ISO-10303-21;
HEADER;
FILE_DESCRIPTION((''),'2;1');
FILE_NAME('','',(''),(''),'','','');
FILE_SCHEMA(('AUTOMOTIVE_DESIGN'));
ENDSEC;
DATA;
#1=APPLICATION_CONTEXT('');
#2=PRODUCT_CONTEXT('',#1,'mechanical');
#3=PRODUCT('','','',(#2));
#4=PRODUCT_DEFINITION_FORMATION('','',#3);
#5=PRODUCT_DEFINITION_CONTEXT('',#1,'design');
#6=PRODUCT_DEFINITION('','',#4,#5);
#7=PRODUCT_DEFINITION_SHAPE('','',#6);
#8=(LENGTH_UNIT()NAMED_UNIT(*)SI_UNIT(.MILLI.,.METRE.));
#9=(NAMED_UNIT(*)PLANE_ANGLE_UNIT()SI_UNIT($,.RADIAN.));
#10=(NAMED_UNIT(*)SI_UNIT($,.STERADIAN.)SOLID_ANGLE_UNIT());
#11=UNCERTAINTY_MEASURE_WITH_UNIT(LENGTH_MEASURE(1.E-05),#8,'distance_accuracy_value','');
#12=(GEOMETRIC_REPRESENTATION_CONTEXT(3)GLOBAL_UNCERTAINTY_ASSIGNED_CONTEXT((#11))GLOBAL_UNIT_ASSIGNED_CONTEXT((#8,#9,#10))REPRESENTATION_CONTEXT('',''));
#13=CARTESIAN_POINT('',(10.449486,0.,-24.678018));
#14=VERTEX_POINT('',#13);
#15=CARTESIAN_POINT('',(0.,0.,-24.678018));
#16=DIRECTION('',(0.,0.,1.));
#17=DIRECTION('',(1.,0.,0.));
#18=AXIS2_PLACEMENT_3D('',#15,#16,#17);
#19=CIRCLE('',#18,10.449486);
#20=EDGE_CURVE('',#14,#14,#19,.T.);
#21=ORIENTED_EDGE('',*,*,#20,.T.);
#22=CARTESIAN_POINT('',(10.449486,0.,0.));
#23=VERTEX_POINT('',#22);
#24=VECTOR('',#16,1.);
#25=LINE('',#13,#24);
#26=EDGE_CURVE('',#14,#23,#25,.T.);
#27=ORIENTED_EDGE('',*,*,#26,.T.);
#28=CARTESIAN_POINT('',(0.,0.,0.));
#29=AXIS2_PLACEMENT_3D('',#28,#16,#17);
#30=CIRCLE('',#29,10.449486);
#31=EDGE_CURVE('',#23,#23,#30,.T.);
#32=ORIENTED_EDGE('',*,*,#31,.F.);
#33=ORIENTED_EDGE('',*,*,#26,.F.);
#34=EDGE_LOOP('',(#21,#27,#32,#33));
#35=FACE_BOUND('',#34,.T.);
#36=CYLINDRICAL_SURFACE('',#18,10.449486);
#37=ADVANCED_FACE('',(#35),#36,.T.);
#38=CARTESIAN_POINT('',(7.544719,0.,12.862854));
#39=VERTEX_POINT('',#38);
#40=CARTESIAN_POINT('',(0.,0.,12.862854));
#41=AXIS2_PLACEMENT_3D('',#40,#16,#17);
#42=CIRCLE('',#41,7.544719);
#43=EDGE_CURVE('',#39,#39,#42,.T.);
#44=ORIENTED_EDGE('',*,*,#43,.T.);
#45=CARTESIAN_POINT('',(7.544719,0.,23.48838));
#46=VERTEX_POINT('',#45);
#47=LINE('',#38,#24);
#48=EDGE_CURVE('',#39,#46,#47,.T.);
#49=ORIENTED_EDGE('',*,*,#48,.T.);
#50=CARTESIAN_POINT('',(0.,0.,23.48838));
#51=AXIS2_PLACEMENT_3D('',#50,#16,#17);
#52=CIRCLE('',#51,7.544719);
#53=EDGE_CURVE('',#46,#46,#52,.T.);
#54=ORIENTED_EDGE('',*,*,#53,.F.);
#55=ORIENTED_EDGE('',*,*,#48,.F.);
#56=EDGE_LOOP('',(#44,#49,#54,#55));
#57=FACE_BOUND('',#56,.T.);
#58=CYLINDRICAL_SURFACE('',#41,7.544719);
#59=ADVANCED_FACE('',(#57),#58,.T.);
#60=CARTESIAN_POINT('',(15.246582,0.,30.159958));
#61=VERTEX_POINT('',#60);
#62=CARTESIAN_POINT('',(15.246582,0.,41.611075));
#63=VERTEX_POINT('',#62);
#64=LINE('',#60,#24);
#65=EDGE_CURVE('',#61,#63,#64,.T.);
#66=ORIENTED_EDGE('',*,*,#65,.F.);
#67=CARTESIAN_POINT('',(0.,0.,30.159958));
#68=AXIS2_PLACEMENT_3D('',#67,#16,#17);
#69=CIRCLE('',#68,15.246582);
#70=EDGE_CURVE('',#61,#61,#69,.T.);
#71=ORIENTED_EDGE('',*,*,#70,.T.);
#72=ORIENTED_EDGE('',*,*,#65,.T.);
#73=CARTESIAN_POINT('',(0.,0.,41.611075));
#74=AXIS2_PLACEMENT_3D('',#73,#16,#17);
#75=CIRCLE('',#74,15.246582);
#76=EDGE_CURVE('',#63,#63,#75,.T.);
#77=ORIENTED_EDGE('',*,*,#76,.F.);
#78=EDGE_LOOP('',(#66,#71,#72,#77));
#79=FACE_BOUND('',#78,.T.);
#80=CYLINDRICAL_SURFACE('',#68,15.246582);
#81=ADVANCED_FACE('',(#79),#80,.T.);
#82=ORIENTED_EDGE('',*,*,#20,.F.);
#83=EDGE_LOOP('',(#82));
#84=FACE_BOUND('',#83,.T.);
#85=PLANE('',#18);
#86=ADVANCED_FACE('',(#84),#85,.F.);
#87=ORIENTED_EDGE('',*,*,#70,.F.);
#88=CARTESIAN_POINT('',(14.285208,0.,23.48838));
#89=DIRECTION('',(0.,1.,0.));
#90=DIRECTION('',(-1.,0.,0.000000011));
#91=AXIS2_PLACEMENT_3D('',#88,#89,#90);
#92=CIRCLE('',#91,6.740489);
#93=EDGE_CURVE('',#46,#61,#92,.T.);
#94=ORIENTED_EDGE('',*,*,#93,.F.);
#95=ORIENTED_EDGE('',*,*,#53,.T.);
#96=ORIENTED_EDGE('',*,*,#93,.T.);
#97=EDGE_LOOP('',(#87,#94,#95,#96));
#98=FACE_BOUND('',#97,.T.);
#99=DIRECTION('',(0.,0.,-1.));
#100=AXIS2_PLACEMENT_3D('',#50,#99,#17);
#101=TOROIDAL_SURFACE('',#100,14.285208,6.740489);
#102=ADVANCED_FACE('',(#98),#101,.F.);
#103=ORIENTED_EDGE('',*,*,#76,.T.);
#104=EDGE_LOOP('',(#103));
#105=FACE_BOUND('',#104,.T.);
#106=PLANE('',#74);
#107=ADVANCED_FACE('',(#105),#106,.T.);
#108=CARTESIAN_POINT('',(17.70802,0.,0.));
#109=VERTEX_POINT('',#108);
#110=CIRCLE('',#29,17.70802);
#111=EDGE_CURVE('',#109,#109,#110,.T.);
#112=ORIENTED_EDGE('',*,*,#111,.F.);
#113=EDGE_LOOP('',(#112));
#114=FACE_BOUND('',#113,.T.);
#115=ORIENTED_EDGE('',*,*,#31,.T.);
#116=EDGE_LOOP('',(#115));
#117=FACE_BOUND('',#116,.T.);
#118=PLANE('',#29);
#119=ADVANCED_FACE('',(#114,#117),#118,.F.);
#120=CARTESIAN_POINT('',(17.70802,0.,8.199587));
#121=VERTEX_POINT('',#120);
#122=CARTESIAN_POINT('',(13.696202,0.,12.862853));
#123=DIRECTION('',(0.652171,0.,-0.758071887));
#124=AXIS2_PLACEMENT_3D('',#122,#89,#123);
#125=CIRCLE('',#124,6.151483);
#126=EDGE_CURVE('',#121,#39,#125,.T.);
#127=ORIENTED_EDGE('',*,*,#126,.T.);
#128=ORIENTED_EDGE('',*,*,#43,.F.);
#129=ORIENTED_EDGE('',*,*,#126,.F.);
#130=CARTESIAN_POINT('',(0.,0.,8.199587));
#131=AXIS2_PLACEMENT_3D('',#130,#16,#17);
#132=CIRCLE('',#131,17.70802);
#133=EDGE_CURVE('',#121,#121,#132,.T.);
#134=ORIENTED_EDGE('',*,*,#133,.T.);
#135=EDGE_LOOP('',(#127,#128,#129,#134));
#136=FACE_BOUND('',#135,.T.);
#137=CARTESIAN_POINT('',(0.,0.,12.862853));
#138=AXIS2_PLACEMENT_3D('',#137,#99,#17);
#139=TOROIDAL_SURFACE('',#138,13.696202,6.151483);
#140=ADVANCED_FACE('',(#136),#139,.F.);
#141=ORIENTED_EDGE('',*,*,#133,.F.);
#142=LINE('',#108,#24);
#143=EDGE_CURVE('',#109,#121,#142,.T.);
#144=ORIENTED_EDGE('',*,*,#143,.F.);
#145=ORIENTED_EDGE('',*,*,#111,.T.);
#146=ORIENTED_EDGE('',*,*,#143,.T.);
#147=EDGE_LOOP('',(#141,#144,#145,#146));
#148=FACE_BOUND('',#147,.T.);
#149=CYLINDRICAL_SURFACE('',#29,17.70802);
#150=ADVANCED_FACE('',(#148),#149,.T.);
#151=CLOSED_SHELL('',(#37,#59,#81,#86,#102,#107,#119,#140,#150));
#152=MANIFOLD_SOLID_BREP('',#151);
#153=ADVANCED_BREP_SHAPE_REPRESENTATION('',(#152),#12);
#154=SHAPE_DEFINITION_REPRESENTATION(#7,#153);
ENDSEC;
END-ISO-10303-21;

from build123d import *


with BuildPart() as f1:
    # F0 (on Front) → F1 (revolve)
    with BuildSketch(Plane.XZ):
        with BuildLine():
            Line((0, 41.611075), (0, 0))
            Line((0, 0), (0, -24.678018))
            Line((0, -24.678018), (10.449486, -24.678018))
            Line((10.449486, -24.678018), (10.449486, 0))
            Line((10.449486, 0), (17.70802, 0))
            Line((17.70802, 0), (17.70802, 8.199587))
            ThreePointArc((17.70802, 8.199587), (11.130845, 7.271817), (7.544719, 12.862854))
            Line((7.544719, 12.862854), (7.544719, 23.48838))
            ThreePointArc((7.544719, 23.48838), (9.871929, 28.583197), (15.246582, 30.159958))
            Line((15.246582, 30.159958), (15.246582, 41.611075))
            Line((15.246582, 41.611075), (0, 41.611075))
        make_face()
    revolve(axis=Axis((0, 0, 20.805538), (0, 0, 1)))


solid = f1.part
